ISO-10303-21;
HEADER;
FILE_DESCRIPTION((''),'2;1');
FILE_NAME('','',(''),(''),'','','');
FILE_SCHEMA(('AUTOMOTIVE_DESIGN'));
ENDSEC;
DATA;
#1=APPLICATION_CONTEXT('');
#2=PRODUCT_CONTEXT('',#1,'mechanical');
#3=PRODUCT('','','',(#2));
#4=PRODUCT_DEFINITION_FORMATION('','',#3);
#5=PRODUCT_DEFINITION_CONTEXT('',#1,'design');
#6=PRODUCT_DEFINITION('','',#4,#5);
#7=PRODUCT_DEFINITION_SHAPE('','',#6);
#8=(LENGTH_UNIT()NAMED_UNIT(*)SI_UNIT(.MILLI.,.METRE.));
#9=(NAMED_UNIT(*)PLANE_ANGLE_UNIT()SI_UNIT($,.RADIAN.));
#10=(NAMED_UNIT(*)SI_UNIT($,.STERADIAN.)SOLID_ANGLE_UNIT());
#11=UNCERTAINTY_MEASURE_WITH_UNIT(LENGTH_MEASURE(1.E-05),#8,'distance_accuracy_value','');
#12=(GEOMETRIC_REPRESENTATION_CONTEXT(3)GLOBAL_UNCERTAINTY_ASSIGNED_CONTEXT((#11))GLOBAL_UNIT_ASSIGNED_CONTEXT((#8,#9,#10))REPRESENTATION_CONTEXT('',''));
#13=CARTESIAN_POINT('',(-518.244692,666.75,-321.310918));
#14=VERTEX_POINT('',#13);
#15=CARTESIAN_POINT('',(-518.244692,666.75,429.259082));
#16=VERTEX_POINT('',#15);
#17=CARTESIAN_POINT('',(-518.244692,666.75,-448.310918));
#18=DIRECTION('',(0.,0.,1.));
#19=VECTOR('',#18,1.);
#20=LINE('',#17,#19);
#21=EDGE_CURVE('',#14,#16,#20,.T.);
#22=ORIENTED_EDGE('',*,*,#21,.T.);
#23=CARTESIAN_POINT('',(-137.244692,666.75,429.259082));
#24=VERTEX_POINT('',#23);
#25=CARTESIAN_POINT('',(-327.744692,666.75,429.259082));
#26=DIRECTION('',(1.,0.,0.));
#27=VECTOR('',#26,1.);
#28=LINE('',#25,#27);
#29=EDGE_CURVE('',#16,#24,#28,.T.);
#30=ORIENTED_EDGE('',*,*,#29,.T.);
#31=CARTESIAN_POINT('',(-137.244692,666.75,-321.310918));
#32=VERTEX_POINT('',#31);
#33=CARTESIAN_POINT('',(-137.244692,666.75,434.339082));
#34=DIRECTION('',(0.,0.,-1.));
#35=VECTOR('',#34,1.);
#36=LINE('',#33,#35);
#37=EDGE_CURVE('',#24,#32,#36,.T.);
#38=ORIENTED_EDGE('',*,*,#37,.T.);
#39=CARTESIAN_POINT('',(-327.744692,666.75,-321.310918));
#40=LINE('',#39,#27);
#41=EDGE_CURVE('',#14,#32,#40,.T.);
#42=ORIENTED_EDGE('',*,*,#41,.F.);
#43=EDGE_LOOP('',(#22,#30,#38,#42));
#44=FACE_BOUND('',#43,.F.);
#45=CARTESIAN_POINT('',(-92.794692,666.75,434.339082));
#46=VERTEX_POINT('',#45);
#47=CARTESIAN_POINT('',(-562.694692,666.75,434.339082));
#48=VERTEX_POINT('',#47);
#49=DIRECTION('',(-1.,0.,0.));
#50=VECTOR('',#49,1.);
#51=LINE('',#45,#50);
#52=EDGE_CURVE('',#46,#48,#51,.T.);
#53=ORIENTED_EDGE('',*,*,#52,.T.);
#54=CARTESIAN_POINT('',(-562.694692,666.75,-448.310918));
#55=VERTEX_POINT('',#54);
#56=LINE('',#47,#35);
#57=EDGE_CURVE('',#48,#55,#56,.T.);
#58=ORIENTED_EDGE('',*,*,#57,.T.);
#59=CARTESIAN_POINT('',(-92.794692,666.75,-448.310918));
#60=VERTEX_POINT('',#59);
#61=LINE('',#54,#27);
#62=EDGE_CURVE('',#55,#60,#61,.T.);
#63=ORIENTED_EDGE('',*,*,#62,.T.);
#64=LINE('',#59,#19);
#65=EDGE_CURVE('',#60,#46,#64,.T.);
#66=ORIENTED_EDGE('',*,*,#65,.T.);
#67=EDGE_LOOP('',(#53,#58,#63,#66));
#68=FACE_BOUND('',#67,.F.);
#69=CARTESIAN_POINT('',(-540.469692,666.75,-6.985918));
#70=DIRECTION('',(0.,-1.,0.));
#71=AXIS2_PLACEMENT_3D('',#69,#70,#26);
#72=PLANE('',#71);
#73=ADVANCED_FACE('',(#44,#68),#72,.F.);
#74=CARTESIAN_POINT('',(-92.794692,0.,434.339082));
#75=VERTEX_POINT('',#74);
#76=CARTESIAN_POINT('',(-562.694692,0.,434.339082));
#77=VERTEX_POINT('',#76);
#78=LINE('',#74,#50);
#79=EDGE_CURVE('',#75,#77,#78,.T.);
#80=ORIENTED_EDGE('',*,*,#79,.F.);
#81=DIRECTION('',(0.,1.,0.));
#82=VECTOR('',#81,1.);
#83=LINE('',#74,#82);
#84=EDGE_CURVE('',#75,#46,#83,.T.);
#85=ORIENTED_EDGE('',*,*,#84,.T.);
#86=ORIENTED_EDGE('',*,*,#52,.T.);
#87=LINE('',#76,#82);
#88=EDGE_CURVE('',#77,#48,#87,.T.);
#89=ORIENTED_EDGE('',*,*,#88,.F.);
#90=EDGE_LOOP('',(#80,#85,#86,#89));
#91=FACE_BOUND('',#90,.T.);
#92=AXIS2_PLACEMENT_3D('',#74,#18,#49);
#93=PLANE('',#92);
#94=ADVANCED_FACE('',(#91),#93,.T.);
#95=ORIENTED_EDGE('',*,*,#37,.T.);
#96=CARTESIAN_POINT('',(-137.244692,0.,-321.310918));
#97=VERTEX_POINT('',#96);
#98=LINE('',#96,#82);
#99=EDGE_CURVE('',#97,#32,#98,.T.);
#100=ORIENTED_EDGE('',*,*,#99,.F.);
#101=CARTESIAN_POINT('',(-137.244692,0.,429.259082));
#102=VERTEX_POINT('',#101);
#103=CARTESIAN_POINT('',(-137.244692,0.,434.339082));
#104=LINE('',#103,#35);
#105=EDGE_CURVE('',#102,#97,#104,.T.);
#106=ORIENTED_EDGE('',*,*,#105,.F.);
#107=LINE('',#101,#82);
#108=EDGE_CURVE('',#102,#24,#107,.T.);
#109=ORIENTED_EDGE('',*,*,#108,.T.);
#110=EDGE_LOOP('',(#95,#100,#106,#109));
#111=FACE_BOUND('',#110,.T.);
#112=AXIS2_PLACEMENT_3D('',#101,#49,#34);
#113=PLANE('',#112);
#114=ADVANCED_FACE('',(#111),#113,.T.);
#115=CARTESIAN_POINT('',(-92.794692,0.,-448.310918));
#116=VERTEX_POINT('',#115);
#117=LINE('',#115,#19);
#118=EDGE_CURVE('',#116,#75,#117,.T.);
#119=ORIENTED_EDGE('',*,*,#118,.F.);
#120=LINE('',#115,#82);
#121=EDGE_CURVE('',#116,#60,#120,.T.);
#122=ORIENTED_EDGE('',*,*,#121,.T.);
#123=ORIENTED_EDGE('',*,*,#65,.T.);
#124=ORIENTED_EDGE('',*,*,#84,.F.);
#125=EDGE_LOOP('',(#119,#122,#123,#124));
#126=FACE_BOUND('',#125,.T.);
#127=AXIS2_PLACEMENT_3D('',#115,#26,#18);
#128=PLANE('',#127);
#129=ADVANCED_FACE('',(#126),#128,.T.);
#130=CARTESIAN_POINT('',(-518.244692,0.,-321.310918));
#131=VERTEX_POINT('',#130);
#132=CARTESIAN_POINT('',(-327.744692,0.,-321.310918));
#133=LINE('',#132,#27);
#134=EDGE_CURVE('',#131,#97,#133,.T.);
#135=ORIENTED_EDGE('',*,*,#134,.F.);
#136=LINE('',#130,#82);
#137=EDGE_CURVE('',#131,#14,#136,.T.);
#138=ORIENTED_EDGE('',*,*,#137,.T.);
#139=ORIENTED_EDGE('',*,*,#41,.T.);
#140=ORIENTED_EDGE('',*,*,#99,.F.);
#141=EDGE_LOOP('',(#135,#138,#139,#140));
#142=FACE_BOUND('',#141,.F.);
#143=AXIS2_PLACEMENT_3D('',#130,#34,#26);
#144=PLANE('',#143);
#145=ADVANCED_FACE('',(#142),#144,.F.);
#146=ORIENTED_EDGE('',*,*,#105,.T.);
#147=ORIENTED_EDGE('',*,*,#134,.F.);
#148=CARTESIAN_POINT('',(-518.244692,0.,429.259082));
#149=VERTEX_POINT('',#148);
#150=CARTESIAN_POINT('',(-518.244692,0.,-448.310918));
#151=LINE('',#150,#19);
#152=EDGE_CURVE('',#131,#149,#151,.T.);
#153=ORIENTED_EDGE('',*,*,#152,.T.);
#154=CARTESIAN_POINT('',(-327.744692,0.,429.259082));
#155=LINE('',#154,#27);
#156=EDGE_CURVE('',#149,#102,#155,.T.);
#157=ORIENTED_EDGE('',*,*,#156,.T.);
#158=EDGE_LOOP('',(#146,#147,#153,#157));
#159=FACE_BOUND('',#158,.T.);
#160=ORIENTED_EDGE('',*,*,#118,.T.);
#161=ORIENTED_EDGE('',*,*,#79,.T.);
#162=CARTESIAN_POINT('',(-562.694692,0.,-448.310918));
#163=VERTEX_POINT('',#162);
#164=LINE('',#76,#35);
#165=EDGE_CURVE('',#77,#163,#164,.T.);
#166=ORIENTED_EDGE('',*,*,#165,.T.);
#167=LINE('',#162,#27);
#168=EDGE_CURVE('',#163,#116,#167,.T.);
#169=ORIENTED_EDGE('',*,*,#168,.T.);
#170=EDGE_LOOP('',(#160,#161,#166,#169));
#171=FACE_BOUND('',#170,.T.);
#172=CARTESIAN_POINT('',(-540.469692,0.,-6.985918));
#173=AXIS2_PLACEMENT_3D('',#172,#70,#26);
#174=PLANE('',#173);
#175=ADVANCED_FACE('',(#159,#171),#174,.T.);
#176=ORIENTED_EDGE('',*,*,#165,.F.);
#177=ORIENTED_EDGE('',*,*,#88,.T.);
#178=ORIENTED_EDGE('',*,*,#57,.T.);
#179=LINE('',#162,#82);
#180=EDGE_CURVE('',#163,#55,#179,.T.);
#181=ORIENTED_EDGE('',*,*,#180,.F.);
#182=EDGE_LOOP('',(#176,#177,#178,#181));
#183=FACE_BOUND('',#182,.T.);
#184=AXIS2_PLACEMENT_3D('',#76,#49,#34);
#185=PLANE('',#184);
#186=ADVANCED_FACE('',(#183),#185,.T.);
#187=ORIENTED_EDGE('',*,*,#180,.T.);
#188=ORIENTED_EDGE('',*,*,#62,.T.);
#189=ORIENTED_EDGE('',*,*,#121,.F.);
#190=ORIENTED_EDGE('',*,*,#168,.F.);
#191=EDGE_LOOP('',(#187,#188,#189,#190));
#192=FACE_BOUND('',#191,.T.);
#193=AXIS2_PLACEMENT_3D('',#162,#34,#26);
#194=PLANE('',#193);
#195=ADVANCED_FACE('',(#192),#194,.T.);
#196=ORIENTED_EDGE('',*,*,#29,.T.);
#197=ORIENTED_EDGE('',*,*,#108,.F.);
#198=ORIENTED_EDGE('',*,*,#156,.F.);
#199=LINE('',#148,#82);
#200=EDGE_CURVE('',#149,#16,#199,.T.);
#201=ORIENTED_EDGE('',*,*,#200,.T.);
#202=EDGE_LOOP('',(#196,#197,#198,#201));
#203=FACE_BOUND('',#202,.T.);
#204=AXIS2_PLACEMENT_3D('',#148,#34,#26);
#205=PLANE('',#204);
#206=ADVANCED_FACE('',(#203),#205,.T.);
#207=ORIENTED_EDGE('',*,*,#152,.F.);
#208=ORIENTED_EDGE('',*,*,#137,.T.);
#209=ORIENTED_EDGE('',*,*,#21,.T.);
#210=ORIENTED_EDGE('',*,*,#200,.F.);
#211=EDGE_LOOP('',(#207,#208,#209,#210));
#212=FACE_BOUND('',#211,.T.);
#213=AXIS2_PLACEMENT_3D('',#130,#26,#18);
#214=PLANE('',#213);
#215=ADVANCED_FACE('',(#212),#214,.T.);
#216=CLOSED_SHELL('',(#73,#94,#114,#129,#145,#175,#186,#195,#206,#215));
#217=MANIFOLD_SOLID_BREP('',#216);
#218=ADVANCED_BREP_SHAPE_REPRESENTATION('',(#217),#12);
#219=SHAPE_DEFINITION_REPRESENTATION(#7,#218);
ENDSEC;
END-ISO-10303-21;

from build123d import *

# Parameters (mm, degrees)
F0_W     = 381
F0_H     = 127
F0_H_2   = 5.08
F1_DEPTH = 666.75


with BuildPart() as f1:
    # F0 (on Front) → F1 (new body)
    with BuildSketch(Plane.XZ):
        Polygon((-518.244692, 429.259082), (-518.244692, 434.339082), (-562.694692, 434.339082), (-562.694692, -448.310918), (-518.244692, -448.310918), (-518.244692, -321.310918), align=None)
        with Locations((-327.744692, -384.810918)):
            Rectangle(F0_W, F0_H)
        Polygon((-92.794692, 434.339082), (-137.244692, 434.339082), (-137.244692, 429.259082), (-137.244692, -321.310918), (-137.244692, -448.310918), (-92.794692, -448.310918), align=None)
        with Locations((-327.744692, 431.799082)):
            Rectangle(F0_W, F0_H_2)
    extrude(amount=-F1_DEPTH)


solid = f1.part
